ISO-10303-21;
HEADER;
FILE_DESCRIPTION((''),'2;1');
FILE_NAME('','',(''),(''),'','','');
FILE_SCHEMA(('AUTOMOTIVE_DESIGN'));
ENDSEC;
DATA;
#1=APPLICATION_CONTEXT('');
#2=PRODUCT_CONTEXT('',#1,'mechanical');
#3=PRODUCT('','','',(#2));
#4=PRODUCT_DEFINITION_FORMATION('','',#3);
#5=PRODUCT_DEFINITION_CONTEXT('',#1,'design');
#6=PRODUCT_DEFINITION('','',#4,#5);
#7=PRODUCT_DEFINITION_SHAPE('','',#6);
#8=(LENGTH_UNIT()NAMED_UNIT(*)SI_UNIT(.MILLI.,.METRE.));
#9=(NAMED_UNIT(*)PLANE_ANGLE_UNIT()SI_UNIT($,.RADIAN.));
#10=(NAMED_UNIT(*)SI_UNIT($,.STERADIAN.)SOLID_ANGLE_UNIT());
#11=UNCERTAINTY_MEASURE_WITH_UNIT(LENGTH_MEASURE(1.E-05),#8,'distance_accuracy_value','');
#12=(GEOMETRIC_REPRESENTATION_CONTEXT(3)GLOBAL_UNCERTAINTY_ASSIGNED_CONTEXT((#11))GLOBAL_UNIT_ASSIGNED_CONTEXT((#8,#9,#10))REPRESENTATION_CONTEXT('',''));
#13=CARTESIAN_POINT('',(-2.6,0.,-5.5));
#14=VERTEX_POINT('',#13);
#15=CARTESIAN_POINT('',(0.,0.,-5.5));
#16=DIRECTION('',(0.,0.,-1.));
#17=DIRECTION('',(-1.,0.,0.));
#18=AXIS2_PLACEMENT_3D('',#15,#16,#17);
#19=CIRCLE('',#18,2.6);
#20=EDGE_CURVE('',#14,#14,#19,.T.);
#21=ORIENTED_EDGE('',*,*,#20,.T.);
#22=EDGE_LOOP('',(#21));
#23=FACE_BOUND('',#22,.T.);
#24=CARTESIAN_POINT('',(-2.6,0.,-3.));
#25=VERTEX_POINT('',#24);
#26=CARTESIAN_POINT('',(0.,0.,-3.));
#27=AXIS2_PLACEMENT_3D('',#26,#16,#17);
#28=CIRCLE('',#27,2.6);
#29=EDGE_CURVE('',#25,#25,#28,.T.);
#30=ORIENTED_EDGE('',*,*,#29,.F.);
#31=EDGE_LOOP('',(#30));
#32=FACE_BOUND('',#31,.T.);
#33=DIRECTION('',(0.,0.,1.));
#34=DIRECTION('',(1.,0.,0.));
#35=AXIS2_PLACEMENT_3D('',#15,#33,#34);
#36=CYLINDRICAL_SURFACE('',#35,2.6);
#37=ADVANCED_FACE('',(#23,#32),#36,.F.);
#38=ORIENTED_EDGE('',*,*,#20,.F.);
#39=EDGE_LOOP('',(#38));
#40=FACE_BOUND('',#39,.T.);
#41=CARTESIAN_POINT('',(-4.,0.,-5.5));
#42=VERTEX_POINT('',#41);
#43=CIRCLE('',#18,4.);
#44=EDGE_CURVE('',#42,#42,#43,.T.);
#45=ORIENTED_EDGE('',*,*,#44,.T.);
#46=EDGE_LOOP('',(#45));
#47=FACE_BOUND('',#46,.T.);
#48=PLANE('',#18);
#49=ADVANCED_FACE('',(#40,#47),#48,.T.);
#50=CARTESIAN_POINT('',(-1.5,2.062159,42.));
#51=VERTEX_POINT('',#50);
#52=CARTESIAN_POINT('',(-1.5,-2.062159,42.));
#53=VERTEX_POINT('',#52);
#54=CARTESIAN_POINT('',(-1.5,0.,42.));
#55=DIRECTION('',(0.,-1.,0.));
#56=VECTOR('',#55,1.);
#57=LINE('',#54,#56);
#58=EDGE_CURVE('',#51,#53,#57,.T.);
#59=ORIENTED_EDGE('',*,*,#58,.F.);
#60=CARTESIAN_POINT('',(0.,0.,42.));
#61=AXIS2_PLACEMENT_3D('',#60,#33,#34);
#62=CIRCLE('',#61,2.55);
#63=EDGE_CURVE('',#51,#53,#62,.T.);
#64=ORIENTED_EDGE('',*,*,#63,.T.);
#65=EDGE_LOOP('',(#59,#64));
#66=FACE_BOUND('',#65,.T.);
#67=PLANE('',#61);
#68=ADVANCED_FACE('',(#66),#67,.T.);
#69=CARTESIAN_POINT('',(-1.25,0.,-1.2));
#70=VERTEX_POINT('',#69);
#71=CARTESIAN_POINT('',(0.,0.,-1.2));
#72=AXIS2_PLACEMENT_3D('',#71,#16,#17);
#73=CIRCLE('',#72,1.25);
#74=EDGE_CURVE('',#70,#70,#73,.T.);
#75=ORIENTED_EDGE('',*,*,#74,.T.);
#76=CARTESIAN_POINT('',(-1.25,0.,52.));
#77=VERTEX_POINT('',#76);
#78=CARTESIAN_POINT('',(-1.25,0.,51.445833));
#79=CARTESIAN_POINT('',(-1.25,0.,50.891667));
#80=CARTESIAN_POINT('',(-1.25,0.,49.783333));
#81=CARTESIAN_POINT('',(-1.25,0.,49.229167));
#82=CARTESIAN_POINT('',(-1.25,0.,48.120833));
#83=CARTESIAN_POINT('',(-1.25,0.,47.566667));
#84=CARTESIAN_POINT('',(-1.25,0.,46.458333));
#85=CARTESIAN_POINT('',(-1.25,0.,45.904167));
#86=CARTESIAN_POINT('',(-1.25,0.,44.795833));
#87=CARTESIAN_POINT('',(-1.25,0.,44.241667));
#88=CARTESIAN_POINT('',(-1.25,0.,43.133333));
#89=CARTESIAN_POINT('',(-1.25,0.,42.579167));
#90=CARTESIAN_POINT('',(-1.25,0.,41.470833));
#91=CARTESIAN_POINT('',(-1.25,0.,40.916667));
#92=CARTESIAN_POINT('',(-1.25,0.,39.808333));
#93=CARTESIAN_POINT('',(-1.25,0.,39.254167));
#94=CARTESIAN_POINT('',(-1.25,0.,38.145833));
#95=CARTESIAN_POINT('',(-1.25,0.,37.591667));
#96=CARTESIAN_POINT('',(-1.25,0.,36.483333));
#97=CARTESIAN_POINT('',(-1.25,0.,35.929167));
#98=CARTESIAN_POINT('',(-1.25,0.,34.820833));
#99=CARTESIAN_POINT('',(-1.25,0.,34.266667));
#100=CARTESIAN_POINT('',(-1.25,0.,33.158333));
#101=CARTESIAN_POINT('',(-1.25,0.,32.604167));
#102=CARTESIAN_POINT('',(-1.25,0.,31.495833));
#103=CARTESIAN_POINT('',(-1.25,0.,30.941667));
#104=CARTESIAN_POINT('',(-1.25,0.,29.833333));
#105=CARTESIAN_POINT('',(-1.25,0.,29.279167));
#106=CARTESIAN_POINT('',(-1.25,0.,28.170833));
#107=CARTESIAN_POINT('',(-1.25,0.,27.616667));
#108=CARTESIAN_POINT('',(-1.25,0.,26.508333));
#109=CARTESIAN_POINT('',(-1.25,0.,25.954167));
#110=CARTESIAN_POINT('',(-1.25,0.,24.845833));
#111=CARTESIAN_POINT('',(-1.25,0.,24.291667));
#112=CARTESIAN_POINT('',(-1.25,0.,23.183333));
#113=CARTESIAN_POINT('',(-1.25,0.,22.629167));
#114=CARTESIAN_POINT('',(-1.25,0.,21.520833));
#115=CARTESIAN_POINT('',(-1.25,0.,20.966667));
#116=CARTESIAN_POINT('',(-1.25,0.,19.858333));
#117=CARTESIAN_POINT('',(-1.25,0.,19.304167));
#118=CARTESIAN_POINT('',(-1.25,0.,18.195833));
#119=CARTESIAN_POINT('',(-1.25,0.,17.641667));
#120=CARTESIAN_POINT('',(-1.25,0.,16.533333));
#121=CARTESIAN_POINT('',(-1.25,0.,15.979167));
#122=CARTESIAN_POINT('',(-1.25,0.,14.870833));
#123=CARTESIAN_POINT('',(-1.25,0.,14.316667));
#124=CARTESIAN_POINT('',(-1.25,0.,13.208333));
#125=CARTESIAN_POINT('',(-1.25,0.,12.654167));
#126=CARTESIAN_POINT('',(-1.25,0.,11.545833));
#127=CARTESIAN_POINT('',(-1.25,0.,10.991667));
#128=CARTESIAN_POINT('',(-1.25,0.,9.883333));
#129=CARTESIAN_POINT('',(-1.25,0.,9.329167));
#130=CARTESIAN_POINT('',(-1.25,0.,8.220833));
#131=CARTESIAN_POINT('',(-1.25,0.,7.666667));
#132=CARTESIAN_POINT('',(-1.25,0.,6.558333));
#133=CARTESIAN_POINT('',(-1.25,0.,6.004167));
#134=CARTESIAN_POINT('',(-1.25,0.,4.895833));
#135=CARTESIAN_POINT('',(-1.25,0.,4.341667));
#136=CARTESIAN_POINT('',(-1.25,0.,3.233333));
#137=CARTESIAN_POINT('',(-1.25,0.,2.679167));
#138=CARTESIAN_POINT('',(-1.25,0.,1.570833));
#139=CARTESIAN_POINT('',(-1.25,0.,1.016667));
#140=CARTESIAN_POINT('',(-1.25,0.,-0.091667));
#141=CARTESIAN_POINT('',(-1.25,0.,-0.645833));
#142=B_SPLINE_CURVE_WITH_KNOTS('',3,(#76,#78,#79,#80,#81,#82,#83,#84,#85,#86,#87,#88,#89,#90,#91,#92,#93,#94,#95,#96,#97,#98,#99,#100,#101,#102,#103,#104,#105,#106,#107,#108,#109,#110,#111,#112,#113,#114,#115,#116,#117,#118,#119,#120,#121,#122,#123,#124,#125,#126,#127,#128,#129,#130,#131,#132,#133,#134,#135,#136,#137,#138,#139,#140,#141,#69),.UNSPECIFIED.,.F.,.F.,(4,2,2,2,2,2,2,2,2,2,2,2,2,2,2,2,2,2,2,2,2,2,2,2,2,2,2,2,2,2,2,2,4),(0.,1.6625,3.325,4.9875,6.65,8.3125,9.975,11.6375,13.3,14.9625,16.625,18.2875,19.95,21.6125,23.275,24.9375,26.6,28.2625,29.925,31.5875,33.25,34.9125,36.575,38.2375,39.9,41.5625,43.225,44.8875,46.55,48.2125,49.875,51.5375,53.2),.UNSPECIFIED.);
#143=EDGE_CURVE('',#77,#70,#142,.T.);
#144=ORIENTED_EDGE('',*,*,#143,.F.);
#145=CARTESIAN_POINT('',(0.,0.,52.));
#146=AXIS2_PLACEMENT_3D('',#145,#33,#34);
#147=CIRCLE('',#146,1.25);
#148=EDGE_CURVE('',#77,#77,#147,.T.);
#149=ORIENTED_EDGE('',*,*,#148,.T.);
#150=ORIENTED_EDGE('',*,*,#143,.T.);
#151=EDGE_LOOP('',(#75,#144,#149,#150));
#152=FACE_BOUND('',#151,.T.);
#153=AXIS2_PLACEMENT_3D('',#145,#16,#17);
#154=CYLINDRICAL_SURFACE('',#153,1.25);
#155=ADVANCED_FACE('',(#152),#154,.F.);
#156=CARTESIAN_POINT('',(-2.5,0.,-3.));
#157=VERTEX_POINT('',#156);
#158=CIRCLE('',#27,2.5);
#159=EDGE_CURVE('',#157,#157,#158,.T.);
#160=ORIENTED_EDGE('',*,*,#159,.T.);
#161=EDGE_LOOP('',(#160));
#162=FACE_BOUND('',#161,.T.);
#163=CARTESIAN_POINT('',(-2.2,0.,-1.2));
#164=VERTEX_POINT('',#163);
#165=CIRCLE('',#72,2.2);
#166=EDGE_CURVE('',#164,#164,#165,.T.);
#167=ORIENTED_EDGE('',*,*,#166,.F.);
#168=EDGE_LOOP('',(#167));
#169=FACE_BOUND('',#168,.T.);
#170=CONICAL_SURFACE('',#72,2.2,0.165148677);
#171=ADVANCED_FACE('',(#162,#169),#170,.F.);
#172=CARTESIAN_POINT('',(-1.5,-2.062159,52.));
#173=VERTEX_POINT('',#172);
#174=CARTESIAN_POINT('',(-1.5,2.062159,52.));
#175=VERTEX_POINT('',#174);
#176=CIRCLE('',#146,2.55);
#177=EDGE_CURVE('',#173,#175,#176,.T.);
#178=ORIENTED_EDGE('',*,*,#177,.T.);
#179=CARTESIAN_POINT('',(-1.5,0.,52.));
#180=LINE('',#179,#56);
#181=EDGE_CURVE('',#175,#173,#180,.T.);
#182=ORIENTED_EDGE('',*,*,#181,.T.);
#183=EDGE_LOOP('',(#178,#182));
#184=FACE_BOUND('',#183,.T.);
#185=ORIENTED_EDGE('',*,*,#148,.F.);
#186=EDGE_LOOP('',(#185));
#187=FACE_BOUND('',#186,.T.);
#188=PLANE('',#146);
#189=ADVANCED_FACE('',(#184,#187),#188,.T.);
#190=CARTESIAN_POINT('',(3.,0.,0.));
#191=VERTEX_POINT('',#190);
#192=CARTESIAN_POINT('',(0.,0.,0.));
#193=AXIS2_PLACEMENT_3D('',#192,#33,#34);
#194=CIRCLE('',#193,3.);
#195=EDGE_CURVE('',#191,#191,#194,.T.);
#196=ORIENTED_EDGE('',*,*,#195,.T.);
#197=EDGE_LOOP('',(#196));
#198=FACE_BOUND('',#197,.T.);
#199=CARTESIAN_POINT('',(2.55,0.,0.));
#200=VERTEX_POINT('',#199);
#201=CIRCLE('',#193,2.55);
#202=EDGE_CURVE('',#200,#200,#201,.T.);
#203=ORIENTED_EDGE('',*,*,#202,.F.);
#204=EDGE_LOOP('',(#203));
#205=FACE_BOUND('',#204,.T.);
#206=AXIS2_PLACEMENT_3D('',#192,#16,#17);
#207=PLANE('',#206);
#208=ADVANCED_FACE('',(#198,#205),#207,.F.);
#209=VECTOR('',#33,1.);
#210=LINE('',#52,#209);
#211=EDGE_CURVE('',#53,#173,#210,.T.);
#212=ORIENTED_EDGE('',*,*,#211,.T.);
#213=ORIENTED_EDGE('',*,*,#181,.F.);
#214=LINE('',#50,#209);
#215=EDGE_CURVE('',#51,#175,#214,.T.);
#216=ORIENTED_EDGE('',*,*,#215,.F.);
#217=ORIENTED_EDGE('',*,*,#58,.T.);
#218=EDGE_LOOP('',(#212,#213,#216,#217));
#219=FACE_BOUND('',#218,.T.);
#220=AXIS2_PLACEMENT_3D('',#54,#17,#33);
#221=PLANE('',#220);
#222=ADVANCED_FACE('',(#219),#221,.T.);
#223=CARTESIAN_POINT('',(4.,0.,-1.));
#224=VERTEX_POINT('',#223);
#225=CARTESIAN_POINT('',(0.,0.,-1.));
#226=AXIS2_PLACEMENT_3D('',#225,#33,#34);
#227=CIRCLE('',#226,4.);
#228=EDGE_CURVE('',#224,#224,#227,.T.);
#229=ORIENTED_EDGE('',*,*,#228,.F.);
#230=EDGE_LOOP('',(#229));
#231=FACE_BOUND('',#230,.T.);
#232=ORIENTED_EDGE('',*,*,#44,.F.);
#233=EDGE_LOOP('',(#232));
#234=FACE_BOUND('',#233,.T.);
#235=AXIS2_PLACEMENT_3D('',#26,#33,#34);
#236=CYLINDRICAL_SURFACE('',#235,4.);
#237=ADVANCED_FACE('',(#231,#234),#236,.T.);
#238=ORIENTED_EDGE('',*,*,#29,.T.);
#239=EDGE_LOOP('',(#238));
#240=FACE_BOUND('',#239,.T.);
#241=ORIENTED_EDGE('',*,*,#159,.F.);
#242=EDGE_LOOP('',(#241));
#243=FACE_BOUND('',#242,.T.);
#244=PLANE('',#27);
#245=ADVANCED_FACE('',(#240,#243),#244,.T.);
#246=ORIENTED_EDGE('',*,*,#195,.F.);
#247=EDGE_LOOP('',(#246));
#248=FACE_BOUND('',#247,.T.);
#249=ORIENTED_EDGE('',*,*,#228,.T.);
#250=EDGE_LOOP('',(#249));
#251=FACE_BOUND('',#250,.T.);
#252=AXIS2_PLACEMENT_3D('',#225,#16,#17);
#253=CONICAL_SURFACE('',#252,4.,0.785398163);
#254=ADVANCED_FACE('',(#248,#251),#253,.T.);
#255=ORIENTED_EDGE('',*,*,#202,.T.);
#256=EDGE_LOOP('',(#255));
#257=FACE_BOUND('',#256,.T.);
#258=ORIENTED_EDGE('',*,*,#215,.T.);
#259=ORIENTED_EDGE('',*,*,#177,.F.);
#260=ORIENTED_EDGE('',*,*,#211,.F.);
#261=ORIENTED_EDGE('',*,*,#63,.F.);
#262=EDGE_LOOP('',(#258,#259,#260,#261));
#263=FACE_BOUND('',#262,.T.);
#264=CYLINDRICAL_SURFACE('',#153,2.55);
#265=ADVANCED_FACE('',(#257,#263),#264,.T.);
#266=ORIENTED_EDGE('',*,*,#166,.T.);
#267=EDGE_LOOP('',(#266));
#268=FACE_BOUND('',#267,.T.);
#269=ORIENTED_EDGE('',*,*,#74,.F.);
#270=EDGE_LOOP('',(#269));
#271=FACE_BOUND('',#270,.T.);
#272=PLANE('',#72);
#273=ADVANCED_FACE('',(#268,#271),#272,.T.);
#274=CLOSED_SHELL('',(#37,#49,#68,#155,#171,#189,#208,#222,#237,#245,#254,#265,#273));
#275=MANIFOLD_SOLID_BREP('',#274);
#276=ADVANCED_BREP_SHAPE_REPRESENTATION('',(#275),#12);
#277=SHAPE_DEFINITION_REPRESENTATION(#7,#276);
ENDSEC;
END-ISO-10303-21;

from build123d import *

# Parameters (mm, degrees)
SKETCH_1_R          = 2.55
SKETCH_1_R_2        = 1.25
EXTRUDE_1_DEPTH     = 52
EXTRUDE_START       = 3
SKETCH_2_R          = 4
SKETCH_2_R_2        = 1.25
EXTRUDE_2_DEPTH     = 3
CUT_EXTRUDE_START   = -10
CUT_EXTRUDE_2_DEPTH = 10
EXTRUDE_START_2     = 2.5
SKETCH_9_R          = 4
SKETCH_9_R_2        = 2.6
EXTRUDE_3_DEPTH     = 2.5


with BuildPart() as part:
    # 草图1 → 凸台-拉伸1 (new body)
    with BuildSketch(Plane.XY):
        with Locations(Location((0, 0, 0), (0, 0, 180))):
            Circle(SKETCH_1_R)
        with Locations(Location((0, 0, 0), (0, 0, 180))):
            Circle(SKETCH_1_R_2, mode=Mode.SUBTRACT)
    extrude(amount=EXTRUDE_1_DEPTH)

    # 草图2 → 凸台-拉伸2 (add)
    with BuildSketch(Plane(origin=(0, 0, 0), x_dir=(-1, 0, 0), z_dir=(0, 0, -1)).offset(EXTRUDE_START)):
        Circle(SKETCH_2_R)
        Circle(SKETCH_2_R_2, mode=Mode.SUBTRACT)
    extrude(amount=-EXTRUDE_2_DEPTH)

    # 草图4 → 切除-拉伸2 (cut)
    with BuildSketch(Plane.XY.offset(52).offset(CUT_EXTRUDE_START)):
        with BuildLine():
            Line((-1.5, -2.062159063), (-1.5, 2.062159063))
            ThreePointArc((-1.5, 2.062159063), (-2.55, 0), (-1.5, -2.062159063))
        make_face()
    extrude(amount=CUT_EXTRUDE_2_DEPTH, mode=Mode.SUBTRACT)

    # 草图6 → 切除-旋转1 (revolve, cut)
    with BuildSketch(Plane(origin=(0, 0, 0), x_dir=(1, 0, 0), z_dir=(0, 1, 0)), mode=Mode.PRIVATE) as cut_revolve_1_sk:
        Polygon((0, 1.2), (2.2, 1.2), (2.5, 3), (0, 3), align=None)
    revolve(cut_revolve_1_sk.sketch.rotate(Axis((0, 0, -3), (0, 0, 1)), 180), axis=Axis((0, 0, -3), (0, 0, 1)), mode=Mode.SUBTRACT)

    # 草图8 → 切除-旋转3 (revolve, cut)
    with BuildSketch(Plane(origin=(0, 0, 0), x_dir=(1, 0, 0), z_dir=(0, 1, 0))):
        Polygon((4, 1), (3, 0), (4, 0), align=None)
    revolve(axis=Axis((0, 0, 0), (0, 0, -1)), mode=Mode.SUBTRACT)

    # 草图9 → 凸台-拉伸3 (add)
    with BuildSketch(Plane(origin=(0, 0, -3), x_dir=(-1, 0, 0), z_dir=(0, 0, -1)).offset(EXTRUDE_START_2)):
        with Locations(Location((0, 0, 0), (0, 0, 180))):
            Circle(SKETCH_9_R)
        Circle(SKETCH_9_R_2, mode=Mode.SUBTRACT)
    extrude(amount=-EXTRUDE_3_DEPTH)


solid = part.part
